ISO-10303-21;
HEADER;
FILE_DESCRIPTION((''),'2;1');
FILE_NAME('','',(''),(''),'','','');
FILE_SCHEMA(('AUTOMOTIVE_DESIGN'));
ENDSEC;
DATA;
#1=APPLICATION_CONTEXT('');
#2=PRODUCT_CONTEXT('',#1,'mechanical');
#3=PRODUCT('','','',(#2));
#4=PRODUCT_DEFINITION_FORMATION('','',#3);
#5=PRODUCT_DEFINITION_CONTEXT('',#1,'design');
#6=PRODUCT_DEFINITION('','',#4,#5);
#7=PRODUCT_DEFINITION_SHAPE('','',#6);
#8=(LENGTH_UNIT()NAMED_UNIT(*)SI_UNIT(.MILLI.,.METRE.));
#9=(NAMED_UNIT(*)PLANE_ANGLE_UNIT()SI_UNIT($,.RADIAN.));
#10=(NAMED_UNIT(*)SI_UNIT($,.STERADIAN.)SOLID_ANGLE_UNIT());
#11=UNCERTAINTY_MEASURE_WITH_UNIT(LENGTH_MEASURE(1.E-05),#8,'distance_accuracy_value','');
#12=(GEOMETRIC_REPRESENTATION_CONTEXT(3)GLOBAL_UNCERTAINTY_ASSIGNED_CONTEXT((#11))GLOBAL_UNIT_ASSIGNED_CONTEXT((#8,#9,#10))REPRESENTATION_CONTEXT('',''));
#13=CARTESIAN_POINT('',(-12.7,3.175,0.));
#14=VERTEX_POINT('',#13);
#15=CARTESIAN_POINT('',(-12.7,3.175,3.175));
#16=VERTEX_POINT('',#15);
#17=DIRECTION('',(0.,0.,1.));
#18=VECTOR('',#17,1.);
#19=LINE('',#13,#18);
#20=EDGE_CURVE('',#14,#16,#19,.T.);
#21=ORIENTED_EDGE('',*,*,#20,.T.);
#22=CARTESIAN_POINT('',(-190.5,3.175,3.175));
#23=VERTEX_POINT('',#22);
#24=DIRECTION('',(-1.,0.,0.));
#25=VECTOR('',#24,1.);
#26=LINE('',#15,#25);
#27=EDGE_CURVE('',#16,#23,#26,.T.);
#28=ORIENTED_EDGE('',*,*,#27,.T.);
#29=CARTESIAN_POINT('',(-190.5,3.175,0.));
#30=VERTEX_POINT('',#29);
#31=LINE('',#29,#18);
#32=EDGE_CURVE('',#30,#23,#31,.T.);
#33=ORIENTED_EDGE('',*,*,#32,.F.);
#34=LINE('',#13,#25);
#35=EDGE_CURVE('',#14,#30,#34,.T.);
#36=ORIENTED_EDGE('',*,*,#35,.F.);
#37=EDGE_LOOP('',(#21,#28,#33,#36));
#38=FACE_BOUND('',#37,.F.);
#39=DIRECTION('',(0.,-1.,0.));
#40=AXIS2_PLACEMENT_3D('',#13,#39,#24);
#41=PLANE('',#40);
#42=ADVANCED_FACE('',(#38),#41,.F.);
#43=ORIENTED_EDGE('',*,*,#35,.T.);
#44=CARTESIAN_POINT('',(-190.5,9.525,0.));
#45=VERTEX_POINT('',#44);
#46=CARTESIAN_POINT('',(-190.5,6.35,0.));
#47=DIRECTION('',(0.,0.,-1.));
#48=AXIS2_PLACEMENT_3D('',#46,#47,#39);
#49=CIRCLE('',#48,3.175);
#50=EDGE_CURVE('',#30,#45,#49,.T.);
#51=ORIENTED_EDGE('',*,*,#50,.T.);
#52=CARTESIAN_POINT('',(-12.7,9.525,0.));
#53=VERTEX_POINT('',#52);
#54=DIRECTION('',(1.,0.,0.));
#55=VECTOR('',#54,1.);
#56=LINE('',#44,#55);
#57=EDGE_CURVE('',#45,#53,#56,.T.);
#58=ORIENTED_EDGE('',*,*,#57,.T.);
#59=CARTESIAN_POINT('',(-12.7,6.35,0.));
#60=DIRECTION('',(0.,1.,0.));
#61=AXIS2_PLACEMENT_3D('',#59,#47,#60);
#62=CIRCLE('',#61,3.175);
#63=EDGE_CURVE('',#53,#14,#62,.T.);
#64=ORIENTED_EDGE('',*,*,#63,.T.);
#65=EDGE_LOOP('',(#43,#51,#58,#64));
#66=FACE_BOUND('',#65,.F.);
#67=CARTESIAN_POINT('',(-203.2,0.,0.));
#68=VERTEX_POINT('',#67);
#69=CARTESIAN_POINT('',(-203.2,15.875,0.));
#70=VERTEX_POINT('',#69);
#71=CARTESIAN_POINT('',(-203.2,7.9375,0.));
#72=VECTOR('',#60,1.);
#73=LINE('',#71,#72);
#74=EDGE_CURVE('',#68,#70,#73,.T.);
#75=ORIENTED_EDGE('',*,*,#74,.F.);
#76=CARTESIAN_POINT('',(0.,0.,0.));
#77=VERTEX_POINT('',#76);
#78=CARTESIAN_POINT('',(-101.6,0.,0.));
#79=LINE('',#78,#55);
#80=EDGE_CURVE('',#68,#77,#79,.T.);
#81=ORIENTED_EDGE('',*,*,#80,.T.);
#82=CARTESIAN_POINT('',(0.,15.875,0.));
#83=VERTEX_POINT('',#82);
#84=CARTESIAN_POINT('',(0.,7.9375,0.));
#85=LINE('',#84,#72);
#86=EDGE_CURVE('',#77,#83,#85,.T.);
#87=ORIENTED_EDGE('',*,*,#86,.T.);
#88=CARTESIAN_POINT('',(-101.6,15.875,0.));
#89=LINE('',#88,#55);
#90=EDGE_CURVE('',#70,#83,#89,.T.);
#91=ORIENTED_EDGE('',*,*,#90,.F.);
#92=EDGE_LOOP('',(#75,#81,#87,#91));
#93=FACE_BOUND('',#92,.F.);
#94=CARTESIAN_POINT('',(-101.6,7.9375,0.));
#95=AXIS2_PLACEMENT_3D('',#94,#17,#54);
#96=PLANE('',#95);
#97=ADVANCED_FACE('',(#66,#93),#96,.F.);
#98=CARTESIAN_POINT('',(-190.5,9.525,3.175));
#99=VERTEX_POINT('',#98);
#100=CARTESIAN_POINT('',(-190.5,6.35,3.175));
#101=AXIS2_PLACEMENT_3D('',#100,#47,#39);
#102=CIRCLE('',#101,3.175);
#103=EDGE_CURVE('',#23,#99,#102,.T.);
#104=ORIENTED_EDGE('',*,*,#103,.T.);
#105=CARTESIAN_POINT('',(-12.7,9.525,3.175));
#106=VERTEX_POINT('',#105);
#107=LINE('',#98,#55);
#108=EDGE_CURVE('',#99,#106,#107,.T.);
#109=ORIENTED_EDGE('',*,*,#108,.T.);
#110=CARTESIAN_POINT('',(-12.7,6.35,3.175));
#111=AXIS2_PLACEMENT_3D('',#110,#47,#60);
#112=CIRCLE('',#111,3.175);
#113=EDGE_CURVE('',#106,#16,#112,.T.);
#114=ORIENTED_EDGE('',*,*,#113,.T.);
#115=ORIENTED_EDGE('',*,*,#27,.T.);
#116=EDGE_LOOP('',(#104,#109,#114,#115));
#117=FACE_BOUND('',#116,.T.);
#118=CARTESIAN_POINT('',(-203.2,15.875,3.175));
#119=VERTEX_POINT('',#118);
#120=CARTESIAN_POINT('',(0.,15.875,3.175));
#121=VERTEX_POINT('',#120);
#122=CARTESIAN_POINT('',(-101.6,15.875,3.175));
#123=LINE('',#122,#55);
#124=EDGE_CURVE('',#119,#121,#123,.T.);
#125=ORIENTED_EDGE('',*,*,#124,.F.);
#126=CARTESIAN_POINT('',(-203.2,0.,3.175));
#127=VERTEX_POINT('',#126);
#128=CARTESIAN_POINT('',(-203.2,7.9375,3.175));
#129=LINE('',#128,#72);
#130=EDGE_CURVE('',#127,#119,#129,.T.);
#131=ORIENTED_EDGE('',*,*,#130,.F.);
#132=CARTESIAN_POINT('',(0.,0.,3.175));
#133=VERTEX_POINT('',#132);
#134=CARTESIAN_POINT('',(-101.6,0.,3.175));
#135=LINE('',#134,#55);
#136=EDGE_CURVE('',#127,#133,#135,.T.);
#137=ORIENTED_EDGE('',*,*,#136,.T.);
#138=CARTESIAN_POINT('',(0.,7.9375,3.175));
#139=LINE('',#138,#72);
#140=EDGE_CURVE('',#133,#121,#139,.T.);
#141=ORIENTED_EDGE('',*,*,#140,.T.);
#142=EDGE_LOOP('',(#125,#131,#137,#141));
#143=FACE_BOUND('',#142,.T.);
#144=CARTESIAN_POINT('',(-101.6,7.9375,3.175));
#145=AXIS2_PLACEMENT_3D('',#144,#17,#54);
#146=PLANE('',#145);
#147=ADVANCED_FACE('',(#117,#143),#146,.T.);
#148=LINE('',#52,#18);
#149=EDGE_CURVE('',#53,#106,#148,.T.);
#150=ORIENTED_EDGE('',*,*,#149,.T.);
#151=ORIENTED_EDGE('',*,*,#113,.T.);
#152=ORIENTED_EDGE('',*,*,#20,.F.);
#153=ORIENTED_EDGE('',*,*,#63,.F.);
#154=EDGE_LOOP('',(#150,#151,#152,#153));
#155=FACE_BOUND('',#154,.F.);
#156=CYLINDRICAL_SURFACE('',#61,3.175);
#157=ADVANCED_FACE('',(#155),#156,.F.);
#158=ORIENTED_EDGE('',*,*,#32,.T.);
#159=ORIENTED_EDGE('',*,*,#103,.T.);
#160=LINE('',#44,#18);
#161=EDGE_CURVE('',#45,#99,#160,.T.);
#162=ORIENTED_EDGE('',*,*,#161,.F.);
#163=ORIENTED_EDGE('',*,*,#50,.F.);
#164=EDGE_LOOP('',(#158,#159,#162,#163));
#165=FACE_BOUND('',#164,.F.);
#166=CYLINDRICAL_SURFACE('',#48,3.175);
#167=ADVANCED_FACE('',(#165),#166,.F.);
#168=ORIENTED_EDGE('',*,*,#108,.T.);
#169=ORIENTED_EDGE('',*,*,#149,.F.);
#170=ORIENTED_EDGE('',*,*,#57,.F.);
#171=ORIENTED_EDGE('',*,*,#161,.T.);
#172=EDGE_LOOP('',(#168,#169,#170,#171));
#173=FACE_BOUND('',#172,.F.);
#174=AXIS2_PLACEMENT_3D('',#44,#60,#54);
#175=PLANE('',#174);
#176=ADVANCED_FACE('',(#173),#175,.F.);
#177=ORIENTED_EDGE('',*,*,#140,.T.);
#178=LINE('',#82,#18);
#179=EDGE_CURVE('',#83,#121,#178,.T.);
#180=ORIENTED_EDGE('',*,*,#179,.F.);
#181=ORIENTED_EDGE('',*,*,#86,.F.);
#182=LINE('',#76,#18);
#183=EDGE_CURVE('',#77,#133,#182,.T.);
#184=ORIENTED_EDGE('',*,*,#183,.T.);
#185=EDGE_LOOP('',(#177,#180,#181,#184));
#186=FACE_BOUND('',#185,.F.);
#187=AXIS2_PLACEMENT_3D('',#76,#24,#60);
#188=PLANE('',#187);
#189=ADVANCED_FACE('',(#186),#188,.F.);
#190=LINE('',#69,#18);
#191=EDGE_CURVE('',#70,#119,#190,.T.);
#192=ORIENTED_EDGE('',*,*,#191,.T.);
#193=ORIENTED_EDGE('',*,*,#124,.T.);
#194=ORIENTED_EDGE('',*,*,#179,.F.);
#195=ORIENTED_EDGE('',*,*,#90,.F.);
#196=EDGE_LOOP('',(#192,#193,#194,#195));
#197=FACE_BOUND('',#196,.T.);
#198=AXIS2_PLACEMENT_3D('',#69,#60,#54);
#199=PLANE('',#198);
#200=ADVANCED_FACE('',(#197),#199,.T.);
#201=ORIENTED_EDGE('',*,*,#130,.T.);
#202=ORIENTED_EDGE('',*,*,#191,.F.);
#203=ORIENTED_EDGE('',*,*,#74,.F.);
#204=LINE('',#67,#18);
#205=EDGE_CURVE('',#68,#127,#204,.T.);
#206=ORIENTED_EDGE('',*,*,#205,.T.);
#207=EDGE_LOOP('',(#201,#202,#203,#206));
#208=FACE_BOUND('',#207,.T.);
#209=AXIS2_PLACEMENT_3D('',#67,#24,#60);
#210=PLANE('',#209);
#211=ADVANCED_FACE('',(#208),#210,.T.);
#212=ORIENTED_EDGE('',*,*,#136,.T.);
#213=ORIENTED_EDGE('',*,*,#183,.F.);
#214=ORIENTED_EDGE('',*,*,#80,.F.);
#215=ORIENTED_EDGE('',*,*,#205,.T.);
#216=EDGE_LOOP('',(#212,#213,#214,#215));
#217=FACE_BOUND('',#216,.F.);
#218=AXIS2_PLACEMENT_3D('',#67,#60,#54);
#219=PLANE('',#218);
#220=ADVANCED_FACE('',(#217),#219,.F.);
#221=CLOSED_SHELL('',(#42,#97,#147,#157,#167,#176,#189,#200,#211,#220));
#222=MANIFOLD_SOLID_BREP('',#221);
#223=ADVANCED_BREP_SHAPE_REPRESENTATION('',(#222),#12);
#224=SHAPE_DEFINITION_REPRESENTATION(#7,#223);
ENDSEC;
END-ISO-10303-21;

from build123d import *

# Parameters (mm, degrees)
F0_W     = 203.2
F0_H     = 15.875
F1_DEPTH = 3.175


with BuildPart() as f1:
    # F0 (on Top) → F1 (new body)
    with BuildSketch(Plane.XY):
        with Locations((-101.6, 7.9375)):
            Rectangle(F0_W, F0_H)
        with BuildLine():
            ThreePointArc((-190.5, 3.175), (-193.675, 6.35), (-190.5, 9.525))
            Line((-190.5, 9.525), (-12.7, 9.525))
            ThreePointArc((-12.7, 9.525), (-9.525, 6.35), (-12.7, 3.175))
            Line((-12.7, 3.175), (-190.5, 3.175))
        make_face(mode=Mode.SUBTRACT)
    extrude(amount=F1_DEPTH)


solid = f1.part
